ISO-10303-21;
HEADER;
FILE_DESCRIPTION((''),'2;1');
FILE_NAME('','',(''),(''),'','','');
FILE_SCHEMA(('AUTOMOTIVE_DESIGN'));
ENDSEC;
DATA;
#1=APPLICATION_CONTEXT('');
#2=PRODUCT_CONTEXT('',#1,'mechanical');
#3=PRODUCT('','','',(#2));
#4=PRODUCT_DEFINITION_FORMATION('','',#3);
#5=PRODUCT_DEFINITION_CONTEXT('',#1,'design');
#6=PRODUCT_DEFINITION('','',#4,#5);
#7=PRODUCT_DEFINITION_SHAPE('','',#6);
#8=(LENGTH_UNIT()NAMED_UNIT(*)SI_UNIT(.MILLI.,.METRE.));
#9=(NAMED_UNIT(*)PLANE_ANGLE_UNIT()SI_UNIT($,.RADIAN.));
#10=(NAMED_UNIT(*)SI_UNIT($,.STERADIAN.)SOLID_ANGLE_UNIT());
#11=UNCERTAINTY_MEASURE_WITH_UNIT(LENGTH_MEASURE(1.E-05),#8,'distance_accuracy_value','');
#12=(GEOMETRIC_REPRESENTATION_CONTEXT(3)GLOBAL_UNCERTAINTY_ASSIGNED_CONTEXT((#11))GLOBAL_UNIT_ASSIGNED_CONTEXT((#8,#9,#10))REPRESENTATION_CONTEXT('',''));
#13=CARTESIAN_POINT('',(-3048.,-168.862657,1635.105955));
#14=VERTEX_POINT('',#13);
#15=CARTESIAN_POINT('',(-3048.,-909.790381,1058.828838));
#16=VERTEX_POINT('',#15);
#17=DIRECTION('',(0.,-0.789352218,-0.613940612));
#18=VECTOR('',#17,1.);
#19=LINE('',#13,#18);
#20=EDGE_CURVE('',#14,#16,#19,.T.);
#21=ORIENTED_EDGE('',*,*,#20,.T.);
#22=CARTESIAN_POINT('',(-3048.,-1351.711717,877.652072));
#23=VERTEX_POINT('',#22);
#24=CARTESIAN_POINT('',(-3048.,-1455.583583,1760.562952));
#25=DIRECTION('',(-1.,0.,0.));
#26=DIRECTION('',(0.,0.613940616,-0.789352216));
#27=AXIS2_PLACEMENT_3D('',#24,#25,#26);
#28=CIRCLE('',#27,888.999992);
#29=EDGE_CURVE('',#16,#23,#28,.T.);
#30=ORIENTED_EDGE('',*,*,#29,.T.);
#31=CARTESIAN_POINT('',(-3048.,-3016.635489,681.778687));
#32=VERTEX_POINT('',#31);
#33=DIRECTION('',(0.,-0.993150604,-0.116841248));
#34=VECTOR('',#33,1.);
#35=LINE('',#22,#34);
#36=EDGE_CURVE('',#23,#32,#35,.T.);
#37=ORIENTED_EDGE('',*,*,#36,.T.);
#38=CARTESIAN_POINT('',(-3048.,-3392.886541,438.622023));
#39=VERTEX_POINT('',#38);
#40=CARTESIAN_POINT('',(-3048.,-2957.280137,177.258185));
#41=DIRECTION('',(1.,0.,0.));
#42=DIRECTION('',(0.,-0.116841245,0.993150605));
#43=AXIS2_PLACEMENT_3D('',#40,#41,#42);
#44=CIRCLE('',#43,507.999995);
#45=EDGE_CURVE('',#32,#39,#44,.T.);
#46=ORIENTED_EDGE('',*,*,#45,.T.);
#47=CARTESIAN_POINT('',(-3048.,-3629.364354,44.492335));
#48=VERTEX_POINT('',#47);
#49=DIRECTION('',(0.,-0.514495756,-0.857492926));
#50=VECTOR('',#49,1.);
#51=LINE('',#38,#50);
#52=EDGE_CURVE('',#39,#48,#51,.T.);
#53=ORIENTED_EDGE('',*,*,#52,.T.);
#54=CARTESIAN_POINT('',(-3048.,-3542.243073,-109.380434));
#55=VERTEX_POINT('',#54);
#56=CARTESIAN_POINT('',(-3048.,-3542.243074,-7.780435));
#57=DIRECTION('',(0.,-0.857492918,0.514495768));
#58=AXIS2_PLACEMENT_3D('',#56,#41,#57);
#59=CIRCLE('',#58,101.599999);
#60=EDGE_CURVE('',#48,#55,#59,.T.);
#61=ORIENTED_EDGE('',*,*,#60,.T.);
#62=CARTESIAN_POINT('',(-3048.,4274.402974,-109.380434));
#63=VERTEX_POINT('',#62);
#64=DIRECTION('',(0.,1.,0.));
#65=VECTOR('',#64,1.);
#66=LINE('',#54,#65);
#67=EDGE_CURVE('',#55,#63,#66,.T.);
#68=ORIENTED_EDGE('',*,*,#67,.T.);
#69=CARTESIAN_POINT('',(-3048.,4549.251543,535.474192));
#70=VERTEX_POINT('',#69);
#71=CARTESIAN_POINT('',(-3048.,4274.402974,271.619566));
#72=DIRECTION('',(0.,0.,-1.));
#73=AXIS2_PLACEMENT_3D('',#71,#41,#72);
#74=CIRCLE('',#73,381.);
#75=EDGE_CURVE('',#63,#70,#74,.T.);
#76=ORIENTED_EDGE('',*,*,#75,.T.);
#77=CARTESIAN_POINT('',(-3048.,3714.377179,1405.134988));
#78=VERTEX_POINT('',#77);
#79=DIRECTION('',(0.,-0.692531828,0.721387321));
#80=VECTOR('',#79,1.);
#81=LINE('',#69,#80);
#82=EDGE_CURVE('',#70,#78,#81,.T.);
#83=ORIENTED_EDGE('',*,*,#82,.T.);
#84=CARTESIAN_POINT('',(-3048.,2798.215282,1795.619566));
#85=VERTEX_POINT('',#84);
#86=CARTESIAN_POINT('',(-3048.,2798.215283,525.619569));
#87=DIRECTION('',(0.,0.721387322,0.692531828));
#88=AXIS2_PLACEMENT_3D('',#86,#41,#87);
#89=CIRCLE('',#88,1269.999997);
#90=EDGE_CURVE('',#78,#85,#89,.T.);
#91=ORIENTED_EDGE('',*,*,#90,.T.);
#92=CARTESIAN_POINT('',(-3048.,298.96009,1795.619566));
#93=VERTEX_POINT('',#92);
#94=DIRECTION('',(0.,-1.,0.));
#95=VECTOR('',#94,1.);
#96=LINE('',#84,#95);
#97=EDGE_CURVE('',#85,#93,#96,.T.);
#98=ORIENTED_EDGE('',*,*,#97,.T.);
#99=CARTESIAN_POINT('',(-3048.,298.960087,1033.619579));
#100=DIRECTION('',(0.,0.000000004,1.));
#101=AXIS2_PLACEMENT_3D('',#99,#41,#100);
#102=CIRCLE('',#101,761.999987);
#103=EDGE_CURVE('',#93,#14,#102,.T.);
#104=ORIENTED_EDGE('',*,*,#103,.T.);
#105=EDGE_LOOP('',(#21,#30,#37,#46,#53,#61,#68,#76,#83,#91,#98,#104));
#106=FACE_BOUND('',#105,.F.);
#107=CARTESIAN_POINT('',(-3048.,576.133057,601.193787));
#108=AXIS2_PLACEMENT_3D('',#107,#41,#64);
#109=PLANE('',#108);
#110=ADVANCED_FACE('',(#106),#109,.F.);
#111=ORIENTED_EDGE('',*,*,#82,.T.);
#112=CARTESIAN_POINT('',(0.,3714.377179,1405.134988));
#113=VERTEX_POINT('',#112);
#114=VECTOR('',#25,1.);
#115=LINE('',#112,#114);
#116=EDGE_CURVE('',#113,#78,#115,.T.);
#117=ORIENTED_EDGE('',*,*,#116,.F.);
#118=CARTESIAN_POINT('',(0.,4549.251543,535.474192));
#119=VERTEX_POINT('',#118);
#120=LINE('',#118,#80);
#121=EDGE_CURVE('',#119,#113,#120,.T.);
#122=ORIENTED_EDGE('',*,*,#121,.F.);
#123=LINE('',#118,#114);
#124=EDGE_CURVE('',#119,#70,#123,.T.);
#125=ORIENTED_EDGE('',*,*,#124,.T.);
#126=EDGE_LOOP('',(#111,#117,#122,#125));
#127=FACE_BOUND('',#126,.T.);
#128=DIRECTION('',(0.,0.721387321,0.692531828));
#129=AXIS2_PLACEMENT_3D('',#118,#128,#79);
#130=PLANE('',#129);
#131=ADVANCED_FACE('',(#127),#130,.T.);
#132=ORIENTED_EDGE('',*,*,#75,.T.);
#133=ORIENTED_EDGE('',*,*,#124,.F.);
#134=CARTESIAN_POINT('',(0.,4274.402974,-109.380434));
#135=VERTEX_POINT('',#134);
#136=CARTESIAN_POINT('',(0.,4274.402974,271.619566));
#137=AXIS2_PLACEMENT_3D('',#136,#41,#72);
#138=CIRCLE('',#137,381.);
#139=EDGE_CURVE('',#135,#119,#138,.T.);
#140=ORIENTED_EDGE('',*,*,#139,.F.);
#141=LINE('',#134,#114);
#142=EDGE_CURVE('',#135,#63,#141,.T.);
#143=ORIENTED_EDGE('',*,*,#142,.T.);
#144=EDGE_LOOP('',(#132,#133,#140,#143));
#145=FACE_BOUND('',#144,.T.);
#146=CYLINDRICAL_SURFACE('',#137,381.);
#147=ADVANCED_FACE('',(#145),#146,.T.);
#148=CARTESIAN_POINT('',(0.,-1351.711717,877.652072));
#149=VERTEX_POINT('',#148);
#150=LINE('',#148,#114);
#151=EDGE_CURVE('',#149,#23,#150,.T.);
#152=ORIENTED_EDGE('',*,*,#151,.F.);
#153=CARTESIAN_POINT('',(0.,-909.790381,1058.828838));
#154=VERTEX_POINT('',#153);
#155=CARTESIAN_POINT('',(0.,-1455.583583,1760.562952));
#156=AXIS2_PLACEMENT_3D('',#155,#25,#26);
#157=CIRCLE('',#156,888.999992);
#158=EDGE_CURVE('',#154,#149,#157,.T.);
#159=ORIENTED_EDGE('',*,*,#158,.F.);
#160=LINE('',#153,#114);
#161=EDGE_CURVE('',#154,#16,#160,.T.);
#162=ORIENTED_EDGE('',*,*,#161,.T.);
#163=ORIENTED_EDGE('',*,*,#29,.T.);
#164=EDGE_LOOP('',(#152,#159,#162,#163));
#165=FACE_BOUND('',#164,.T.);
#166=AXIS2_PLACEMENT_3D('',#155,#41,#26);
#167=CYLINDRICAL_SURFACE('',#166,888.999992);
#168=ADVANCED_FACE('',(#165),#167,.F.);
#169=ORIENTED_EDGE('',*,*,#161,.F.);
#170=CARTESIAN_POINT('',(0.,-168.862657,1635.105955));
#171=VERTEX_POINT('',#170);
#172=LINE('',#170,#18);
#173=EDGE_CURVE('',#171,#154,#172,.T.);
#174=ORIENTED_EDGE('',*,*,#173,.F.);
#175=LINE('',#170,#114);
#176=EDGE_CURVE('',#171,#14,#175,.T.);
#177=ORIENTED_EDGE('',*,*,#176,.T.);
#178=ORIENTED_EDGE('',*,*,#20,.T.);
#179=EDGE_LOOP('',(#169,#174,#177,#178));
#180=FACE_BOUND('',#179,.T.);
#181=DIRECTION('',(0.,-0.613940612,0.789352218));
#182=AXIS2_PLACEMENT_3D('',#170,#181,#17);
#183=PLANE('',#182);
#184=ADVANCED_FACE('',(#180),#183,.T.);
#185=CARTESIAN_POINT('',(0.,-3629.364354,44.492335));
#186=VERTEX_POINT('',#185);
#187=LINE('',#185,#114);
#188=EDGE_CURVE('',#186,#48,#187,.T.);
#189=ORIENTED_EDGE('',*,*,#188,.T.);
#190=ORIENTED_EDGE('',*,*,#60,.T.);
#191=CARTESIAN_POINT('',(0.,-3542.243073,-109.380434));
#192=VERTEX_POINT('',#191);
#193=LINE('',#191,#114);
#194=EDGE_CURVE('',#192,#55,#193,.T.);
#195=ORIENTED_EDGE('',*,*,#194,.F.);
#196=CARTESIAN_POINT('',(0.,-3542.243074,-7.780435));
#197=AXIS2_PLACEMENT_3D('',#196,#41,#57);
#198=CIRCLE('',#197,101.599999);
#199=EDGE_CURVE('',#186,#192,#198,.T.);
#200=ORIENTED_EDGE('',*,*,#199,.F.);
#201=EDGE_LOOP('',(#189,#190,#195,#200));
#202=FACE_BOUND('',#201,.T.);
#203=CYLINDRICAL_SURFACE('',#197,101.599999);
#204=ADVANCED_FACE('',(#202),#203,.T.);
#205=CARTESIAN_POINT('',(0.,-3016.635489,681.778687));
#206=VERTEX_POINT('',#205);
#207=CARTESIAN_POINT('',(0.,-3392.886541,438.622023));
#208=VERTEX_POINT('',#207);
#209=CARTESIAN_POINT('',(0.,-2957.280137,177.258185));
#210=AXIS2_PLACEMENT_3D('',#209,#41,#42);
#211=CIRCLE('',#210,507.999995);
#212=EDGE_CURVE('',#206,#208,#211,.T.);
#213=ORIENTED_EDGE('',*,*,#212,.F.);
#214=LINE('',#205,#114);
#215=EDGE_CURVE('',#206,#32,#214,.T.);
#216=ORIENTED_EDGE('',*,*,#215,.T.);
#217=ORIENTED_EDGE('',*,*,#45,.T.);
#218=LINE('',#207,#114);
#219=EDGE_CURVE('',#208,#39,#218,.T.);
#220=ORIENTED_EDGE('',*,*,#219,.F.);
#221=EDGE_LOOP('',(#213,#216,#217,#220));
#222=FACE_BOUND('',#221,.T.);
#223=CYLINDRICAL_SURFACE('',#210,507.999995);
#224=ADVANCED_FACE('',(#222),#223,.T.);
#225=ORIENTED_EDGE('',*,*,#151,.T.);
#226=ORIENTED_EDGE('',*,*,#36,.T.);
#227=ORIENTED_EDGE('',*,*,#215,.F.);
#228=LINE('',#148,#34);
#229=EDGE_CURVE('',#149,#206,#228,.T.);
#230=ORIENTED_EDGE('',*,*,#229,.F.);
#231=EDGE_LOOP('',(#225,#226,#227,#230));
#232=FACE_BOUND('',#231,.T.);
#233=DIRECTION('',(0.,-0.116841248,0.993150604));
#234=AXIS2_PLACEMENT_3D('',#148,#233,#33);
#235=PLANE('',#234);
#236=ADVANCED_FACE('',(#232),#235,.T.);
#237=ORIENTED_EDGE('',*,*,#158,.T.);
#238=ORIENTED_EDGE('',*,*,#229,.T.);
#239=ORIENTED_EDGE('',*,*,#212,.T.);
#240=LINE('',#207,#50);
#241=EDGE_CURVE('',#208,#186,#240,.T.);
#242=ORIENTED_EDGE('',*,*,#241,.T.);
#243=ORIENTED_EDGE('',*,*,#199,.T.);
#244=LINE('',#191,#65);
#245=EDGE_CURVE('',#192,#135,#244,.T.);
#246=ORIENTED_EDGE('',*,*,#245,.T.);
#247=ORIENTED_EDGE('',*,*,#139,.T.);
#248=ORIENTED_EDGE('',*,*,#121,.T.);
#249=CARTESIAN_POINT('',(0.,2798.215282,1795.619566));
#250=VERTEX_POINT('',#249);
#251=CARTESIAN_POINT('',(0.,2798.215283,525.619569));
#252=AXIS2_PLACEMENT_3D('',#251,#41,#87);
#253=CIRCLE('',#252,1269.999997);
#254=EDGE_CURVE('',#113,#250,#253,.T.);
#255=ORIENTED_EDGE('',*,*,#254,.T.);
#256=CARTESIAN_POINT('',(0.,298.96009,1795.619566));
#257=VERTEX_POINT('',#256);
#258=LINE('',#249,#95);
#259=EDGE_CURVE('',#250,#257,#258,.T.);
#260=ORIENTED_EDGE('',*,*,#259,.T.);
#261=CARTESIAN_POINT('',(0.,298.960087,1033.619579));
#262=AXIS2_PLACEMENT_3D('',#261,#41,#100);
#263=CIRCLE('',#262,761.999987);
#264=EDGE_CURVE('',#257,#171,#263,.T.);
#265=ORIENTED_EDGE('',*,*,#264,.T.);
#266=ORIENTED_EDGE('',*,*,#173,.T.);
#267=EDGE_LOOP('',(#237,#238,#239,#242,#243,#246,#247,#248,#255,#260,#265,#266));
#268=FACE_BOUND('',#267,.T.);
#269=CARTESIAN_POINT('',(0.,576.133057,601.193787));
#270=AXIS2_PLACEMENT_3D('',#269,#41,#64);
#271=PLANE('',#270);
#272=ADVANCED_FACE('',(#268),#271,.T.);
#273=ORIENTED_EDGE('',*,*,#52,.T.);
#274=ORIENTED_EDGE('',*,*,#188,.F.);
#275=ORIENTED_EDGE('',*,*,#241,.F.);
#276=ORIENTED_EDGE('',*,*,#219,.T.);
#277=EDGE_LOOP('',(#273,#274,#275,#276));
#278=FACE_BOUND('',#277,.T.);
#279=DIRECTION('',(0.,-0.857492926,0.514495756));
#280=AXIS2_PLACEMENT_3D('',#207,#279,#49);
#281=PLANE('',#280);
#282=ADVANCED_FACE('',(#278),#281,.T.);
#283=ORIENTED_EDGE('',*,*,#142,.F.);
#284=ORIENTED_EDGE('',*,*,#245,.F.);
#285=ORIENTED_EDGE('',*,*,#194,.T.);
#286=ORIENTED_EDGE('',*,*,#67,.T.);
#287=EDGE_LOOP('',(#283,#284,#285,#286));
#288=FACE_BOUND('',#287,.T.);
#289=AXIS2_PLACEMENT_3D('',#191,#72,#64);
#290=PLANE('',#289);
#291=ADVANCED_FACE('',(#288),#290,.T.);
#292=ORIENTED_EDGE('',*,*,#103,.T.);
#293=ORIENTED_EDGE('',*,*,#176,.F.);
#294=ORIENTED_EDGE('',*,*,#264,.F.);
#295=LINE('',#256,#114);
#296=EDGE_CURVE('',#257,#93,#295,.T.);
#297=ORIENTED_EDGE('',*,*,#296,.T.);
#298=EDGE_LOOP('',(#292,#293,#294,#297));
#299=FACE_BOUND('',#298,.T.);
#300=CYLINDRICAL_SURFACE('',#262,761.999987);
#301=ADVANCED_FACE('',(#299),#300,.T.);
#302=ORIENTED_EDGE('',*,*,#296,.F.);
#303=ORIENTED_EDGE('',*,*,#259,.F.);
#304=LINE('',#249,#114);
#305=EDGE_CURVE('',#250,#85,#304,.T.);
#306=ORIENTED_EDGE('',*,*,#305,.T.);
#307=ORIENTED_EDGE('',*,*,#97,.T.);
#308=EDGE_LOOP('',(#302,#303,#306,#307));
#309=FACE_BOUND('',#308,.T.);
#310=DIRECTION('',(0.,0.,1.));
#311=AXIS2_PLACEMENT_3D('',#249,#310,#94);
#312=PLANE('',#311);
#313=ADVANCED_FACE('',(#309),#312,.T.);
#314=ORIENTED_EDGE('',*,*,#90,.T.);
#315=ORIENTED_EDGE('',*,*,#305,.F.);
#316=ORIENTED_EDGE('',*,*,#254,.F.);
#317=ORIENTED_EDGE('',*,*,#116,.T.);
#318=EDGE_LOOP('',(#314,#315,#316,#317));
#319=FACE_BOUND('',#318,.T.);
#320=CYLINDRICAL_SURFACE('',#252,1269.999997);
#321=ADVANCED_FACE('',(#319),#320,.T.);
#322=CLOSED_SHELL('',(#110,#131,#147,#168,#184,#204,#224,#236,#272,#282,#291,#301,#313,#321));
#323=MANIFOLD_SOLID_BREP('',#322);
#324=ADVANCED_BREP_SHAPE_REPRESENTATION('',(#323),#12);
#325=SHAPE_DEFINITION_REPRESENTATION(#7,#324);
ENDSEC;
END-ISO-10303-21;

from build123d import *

# Parameters (mm, degrees)
F1_DEPTH = 3048


with BuildPart() as f1:
    # F0 (on Right) → F1 (new body)
    with BuildSketch(Plane.YZ):
        with BuildLine():
            ThreePointArc((-3629.364354, 44.492335), (-3630.655384, -57.838634), (-3542.243073, -109.380434))
            Line((-3542.243073, -109.380434), (4274.402974, -109.380434))
            ThreePointArc((4274.402974, -109.380434), (4624.895208, 122.23351), (4549.251543, 535.474192))
            Line((4549.251543, 535.474192), (3714.377179, 1405.134988))
            ThreePointArc((3714.377179, 1405.134988), (3296.168801, 1693.927014), (2798.215282, 1795.619566))
            Line((2798.215282, 1795.619566), (298.96009, 1795.619566))
            ThreePointArc((298.96009, 1795.619566), (51.663334, 1754.374944), (-168.862657, 1635.105955))
            Line((-168.862657, 1635.105955), (-909.790381, 1058.828838))
            ThreePointArc((-909.790381, 1058.828838), (-1118.356018, 938.006841), (-1351.711717, 877.652072))
            Line((-1351.711717, 877.652072), (-3016.635489, 681.778687))
            ThreePointArc((-3016.635489, 681.778687), (-3233.012028, 603.914861), (-3392.886541, 438.622023))
            Line((-3392.886541, 438.622023), (-3629.364354, 44.492335))
        make_face()
    extrude(amount=-F1_DEPTH)


solid = f1.part
